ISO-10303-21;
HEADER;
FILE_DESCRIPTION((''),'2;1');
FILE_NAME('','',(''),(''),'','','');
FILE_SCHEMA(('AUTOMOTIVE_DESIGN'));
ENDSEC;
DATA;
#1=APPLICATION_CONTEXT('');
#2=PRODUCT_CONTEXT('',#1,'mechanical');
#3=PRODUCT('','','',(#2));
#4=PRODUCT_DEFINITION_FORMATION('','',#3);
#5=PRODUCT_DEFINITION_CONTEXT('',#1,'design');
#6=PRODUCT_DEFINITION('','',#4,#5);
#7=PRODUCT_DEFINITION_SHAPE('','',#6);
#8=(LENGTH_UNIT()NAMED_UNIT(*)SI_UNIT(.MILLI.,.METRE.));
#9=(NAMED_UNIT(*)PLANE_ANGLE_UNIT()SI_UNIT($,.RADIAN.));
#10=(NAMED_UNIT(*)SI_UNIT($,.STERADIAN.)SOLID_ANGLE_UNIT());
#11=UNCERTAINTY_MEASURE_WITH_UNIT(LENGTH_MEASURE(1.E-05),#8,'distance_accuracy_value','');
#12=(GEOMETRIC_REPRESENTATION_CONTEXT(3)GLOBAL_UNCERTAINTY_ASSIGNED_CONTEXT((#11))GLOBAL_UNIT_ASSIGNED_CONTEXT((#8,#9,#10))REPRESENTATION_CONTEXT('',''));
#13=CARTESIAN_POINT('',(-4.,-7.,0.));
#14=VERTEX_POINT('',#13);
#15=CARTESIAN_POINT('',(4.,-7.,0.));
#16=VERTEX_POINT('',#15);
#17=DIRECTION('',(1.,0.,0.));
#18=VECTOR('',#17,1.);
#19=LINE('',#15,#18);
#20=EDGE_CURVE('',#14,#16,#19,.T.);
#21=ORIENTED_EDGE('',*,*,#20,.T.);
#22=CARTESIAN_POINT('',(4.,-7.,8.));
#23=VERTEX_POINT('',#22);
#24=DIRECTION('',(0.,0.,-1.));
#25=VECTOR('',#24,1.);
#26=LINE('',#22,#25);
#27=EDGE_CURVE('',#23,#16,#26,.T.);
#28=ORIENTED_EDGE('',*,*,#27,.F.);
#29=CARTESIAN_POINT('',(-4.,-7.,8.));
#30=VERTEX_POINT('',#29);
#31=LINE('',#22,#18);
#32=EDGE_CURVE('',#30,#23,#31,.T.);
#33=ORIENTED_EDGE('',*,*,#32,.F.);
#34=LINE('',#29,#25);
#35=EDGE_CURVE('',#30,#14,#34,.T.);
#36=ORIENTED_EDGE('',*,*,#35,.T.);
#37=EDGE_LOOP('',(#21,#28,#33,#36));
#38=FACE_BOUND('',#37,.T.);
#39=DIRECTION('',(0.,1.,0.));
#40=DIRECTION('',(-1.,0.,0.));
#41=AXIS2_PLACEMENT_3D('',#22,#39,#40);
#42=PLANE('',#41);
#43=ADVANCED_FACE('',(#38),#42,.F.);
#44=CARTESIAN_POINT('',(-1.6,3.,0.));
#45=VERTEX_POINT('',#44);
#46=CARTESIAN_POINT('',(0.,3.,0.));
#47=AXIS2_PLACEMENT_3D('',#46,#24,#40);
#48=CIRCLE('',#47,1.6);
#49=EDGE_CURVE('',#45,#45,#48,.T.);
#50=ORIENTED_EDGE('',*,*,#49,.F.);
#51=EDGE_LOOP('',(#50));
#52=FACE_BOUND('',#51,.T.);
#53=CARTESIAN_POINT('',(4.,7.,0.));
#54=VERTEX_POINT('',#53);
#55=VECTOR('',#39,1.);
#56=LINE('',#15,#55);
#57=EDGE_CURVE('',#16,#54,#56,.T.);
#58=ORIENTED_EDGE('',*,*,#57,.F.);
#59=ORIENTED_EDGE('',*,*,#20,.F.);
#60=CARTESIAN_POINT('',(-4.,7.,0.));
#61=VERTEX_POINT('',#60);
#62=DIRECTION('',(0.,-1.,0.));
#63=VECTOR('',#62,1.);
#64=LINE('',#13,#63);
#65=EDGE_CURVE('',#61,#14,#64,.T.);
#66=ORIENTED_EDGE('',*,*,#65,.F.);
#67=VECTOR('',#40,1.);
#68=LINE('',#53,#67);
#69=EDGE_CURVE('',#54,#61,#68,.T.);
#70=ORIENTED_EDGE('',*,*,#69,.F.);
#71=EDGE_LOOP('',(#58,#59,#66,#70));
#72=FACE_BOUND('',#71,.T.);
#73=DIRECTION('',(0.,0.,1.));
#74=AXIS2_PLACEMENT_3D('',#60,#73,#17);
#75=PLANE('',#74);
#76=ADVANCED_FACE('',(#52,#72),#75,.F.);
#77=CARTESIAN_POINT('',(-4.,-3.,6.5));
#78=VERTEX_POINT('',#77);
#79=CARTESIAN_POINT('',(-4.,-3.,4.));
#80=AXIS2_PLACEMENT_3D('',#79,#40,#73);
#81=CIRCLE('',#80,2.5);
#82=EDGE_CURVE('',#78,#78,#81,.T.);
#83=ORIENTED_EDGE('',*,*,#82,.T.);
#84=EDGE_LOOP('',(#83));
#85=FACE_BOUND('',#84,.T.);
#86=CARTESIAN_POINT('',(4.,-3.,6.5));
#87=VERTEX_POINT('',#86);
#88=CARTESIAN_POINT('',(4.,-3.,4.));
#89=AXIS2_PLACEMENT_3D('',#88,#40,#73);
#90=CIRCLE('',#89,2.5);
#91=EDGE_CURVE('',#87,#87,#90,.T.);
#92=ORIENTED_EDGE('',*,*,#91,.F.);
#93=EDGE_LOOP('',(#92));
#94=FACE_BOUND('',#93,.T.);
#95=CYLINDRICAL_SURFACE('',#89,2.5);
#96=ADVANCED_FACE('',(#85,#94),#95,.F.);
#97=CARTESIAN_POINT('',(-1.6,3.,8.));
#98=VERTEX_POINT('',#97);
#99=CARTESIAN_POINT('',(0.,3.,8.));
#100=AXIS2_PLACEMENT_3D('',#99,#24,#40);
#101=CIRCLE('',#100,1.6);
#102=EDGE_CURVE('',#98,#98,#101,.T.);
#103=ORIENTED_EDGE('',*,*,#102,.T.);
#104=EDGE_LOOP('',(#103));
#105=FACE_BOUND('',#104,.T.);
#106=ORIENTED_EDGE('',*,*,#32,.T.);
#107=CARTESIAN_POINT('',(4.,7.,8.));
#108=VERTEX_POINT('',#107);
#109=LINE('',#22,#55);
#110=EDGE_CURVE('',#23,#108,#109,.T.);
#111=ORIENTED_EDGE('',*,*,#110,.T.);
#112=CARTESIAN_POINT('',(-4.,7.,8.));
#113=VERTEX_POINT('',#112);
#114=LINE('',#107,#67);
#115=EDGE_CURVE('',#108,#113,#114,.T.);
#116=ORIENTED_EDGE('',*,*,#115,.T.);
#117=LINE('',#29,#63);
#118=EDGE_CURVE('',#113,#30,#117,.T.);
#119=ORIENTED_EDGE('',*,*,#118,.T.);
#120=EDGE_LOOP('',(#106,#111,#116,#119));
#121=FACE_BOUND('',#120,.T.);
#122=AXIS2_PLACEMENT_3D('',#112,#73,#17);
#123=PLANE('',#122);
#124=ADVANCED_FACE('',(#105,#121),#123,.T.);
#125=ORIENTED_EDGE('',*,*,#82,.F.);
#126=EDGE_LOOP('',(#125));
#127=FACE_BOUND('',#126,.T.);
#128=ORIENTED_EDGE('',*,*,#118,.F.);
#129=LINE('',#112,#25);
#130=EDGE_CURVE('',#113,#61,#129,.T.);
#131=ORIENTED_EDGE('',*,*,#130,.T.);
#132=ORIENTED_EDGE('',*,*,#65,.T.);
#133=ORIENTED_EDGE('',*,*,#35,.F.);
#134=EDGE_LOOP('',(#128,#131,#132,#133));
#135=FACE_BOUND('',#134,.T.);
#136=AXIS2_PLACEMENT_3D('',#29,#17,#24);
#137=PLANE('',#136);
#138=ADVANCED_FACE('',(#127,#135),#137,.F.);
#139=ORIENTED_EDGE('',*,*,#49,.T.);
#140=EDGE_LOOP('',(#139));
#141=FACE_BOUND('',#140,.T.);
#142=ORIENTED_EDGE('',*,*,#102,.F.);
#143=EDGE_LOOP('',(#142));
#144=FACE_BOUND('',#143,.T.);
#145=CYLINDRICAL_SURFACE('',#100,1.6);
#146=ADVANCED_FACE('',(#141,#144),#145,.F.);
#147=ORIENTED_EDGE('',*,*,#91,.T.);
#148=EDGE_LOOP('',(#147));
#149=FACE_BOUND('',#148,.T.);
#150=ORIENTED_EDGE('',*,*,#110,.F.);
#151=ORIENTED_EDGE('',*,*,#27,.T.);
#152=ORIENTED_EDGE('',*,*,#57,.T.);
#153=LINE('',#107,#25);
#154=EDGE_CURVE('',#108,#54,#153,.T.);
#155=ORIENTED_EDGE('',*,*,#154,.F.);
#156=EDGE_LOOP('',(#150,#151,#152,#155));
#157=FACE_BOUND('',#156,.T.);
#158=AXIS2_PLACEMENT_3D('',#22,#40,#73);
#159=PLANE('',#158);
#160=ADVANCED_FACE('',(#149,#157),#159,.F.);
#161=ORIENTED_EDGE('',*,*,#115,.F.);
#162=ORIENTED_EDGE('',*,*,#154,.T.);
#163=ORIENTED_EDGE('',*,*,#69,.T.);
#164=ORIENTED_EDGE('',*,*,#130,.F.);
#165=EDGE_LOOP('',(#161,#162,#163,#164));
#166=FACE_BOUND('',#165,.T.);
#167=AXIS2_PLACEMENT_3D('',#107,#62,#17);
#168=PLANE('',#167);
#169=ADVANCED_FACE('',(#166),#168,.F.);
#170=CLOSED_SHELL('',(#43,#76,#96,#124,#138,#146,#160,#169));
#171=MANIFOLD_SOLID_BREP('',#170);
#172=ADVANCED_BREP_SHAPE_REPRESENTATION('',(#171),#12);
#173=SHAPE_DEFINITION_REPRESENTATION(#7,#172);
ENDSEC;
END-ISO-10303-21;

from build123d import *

# Parameters (mm, degrees)
SKETCH1_W           = 8
SKETCH1_H           = 14
BOSS_EXTRUDE1_DEPTH = 8
SKETCH2_R           = 1.6
CUT_EXTRUDE1_DEPTH  = 9
SKETCH4_R           = 2.5
CUT_EXTRUDE2_DEPTH  = 9


with BuildPart() as part:
    # Sketch1 → Boss-Extrude1 (new body)
    with BuildSketch(Plane.XY):
        Rectangle(SKETCH1_W, SKETCH1_H)
    extrude(amount=BOSS_EXTRUDE1_DEPTH)

    # Sketch2 → Cut-Extrude1 (cut, through all)
    with BuildSketch(Plane(origin=(0, 0, 0), x_dir=(-1, 0, 0), z_dir=(0, 0, -1))):
        with Locations((0, 3)):
            Circle(SKETCH2_R)
    extrude(amount=-CUT_EXTRUDE1_DEPTH, mode=Mode.SUBTRACT)

    # Sketch4 → Cut-Extrude2 (cut, through all)
    with BuildSketch(Plane.ZY.offset(4)):
        with Locations((4, -3)):
            Circle(SKETCH4_R)
    extrude(amount=-CUT_EXTRUDE2_DEPTH, mode=Mode.SUBTRACT)


solid = part.part
